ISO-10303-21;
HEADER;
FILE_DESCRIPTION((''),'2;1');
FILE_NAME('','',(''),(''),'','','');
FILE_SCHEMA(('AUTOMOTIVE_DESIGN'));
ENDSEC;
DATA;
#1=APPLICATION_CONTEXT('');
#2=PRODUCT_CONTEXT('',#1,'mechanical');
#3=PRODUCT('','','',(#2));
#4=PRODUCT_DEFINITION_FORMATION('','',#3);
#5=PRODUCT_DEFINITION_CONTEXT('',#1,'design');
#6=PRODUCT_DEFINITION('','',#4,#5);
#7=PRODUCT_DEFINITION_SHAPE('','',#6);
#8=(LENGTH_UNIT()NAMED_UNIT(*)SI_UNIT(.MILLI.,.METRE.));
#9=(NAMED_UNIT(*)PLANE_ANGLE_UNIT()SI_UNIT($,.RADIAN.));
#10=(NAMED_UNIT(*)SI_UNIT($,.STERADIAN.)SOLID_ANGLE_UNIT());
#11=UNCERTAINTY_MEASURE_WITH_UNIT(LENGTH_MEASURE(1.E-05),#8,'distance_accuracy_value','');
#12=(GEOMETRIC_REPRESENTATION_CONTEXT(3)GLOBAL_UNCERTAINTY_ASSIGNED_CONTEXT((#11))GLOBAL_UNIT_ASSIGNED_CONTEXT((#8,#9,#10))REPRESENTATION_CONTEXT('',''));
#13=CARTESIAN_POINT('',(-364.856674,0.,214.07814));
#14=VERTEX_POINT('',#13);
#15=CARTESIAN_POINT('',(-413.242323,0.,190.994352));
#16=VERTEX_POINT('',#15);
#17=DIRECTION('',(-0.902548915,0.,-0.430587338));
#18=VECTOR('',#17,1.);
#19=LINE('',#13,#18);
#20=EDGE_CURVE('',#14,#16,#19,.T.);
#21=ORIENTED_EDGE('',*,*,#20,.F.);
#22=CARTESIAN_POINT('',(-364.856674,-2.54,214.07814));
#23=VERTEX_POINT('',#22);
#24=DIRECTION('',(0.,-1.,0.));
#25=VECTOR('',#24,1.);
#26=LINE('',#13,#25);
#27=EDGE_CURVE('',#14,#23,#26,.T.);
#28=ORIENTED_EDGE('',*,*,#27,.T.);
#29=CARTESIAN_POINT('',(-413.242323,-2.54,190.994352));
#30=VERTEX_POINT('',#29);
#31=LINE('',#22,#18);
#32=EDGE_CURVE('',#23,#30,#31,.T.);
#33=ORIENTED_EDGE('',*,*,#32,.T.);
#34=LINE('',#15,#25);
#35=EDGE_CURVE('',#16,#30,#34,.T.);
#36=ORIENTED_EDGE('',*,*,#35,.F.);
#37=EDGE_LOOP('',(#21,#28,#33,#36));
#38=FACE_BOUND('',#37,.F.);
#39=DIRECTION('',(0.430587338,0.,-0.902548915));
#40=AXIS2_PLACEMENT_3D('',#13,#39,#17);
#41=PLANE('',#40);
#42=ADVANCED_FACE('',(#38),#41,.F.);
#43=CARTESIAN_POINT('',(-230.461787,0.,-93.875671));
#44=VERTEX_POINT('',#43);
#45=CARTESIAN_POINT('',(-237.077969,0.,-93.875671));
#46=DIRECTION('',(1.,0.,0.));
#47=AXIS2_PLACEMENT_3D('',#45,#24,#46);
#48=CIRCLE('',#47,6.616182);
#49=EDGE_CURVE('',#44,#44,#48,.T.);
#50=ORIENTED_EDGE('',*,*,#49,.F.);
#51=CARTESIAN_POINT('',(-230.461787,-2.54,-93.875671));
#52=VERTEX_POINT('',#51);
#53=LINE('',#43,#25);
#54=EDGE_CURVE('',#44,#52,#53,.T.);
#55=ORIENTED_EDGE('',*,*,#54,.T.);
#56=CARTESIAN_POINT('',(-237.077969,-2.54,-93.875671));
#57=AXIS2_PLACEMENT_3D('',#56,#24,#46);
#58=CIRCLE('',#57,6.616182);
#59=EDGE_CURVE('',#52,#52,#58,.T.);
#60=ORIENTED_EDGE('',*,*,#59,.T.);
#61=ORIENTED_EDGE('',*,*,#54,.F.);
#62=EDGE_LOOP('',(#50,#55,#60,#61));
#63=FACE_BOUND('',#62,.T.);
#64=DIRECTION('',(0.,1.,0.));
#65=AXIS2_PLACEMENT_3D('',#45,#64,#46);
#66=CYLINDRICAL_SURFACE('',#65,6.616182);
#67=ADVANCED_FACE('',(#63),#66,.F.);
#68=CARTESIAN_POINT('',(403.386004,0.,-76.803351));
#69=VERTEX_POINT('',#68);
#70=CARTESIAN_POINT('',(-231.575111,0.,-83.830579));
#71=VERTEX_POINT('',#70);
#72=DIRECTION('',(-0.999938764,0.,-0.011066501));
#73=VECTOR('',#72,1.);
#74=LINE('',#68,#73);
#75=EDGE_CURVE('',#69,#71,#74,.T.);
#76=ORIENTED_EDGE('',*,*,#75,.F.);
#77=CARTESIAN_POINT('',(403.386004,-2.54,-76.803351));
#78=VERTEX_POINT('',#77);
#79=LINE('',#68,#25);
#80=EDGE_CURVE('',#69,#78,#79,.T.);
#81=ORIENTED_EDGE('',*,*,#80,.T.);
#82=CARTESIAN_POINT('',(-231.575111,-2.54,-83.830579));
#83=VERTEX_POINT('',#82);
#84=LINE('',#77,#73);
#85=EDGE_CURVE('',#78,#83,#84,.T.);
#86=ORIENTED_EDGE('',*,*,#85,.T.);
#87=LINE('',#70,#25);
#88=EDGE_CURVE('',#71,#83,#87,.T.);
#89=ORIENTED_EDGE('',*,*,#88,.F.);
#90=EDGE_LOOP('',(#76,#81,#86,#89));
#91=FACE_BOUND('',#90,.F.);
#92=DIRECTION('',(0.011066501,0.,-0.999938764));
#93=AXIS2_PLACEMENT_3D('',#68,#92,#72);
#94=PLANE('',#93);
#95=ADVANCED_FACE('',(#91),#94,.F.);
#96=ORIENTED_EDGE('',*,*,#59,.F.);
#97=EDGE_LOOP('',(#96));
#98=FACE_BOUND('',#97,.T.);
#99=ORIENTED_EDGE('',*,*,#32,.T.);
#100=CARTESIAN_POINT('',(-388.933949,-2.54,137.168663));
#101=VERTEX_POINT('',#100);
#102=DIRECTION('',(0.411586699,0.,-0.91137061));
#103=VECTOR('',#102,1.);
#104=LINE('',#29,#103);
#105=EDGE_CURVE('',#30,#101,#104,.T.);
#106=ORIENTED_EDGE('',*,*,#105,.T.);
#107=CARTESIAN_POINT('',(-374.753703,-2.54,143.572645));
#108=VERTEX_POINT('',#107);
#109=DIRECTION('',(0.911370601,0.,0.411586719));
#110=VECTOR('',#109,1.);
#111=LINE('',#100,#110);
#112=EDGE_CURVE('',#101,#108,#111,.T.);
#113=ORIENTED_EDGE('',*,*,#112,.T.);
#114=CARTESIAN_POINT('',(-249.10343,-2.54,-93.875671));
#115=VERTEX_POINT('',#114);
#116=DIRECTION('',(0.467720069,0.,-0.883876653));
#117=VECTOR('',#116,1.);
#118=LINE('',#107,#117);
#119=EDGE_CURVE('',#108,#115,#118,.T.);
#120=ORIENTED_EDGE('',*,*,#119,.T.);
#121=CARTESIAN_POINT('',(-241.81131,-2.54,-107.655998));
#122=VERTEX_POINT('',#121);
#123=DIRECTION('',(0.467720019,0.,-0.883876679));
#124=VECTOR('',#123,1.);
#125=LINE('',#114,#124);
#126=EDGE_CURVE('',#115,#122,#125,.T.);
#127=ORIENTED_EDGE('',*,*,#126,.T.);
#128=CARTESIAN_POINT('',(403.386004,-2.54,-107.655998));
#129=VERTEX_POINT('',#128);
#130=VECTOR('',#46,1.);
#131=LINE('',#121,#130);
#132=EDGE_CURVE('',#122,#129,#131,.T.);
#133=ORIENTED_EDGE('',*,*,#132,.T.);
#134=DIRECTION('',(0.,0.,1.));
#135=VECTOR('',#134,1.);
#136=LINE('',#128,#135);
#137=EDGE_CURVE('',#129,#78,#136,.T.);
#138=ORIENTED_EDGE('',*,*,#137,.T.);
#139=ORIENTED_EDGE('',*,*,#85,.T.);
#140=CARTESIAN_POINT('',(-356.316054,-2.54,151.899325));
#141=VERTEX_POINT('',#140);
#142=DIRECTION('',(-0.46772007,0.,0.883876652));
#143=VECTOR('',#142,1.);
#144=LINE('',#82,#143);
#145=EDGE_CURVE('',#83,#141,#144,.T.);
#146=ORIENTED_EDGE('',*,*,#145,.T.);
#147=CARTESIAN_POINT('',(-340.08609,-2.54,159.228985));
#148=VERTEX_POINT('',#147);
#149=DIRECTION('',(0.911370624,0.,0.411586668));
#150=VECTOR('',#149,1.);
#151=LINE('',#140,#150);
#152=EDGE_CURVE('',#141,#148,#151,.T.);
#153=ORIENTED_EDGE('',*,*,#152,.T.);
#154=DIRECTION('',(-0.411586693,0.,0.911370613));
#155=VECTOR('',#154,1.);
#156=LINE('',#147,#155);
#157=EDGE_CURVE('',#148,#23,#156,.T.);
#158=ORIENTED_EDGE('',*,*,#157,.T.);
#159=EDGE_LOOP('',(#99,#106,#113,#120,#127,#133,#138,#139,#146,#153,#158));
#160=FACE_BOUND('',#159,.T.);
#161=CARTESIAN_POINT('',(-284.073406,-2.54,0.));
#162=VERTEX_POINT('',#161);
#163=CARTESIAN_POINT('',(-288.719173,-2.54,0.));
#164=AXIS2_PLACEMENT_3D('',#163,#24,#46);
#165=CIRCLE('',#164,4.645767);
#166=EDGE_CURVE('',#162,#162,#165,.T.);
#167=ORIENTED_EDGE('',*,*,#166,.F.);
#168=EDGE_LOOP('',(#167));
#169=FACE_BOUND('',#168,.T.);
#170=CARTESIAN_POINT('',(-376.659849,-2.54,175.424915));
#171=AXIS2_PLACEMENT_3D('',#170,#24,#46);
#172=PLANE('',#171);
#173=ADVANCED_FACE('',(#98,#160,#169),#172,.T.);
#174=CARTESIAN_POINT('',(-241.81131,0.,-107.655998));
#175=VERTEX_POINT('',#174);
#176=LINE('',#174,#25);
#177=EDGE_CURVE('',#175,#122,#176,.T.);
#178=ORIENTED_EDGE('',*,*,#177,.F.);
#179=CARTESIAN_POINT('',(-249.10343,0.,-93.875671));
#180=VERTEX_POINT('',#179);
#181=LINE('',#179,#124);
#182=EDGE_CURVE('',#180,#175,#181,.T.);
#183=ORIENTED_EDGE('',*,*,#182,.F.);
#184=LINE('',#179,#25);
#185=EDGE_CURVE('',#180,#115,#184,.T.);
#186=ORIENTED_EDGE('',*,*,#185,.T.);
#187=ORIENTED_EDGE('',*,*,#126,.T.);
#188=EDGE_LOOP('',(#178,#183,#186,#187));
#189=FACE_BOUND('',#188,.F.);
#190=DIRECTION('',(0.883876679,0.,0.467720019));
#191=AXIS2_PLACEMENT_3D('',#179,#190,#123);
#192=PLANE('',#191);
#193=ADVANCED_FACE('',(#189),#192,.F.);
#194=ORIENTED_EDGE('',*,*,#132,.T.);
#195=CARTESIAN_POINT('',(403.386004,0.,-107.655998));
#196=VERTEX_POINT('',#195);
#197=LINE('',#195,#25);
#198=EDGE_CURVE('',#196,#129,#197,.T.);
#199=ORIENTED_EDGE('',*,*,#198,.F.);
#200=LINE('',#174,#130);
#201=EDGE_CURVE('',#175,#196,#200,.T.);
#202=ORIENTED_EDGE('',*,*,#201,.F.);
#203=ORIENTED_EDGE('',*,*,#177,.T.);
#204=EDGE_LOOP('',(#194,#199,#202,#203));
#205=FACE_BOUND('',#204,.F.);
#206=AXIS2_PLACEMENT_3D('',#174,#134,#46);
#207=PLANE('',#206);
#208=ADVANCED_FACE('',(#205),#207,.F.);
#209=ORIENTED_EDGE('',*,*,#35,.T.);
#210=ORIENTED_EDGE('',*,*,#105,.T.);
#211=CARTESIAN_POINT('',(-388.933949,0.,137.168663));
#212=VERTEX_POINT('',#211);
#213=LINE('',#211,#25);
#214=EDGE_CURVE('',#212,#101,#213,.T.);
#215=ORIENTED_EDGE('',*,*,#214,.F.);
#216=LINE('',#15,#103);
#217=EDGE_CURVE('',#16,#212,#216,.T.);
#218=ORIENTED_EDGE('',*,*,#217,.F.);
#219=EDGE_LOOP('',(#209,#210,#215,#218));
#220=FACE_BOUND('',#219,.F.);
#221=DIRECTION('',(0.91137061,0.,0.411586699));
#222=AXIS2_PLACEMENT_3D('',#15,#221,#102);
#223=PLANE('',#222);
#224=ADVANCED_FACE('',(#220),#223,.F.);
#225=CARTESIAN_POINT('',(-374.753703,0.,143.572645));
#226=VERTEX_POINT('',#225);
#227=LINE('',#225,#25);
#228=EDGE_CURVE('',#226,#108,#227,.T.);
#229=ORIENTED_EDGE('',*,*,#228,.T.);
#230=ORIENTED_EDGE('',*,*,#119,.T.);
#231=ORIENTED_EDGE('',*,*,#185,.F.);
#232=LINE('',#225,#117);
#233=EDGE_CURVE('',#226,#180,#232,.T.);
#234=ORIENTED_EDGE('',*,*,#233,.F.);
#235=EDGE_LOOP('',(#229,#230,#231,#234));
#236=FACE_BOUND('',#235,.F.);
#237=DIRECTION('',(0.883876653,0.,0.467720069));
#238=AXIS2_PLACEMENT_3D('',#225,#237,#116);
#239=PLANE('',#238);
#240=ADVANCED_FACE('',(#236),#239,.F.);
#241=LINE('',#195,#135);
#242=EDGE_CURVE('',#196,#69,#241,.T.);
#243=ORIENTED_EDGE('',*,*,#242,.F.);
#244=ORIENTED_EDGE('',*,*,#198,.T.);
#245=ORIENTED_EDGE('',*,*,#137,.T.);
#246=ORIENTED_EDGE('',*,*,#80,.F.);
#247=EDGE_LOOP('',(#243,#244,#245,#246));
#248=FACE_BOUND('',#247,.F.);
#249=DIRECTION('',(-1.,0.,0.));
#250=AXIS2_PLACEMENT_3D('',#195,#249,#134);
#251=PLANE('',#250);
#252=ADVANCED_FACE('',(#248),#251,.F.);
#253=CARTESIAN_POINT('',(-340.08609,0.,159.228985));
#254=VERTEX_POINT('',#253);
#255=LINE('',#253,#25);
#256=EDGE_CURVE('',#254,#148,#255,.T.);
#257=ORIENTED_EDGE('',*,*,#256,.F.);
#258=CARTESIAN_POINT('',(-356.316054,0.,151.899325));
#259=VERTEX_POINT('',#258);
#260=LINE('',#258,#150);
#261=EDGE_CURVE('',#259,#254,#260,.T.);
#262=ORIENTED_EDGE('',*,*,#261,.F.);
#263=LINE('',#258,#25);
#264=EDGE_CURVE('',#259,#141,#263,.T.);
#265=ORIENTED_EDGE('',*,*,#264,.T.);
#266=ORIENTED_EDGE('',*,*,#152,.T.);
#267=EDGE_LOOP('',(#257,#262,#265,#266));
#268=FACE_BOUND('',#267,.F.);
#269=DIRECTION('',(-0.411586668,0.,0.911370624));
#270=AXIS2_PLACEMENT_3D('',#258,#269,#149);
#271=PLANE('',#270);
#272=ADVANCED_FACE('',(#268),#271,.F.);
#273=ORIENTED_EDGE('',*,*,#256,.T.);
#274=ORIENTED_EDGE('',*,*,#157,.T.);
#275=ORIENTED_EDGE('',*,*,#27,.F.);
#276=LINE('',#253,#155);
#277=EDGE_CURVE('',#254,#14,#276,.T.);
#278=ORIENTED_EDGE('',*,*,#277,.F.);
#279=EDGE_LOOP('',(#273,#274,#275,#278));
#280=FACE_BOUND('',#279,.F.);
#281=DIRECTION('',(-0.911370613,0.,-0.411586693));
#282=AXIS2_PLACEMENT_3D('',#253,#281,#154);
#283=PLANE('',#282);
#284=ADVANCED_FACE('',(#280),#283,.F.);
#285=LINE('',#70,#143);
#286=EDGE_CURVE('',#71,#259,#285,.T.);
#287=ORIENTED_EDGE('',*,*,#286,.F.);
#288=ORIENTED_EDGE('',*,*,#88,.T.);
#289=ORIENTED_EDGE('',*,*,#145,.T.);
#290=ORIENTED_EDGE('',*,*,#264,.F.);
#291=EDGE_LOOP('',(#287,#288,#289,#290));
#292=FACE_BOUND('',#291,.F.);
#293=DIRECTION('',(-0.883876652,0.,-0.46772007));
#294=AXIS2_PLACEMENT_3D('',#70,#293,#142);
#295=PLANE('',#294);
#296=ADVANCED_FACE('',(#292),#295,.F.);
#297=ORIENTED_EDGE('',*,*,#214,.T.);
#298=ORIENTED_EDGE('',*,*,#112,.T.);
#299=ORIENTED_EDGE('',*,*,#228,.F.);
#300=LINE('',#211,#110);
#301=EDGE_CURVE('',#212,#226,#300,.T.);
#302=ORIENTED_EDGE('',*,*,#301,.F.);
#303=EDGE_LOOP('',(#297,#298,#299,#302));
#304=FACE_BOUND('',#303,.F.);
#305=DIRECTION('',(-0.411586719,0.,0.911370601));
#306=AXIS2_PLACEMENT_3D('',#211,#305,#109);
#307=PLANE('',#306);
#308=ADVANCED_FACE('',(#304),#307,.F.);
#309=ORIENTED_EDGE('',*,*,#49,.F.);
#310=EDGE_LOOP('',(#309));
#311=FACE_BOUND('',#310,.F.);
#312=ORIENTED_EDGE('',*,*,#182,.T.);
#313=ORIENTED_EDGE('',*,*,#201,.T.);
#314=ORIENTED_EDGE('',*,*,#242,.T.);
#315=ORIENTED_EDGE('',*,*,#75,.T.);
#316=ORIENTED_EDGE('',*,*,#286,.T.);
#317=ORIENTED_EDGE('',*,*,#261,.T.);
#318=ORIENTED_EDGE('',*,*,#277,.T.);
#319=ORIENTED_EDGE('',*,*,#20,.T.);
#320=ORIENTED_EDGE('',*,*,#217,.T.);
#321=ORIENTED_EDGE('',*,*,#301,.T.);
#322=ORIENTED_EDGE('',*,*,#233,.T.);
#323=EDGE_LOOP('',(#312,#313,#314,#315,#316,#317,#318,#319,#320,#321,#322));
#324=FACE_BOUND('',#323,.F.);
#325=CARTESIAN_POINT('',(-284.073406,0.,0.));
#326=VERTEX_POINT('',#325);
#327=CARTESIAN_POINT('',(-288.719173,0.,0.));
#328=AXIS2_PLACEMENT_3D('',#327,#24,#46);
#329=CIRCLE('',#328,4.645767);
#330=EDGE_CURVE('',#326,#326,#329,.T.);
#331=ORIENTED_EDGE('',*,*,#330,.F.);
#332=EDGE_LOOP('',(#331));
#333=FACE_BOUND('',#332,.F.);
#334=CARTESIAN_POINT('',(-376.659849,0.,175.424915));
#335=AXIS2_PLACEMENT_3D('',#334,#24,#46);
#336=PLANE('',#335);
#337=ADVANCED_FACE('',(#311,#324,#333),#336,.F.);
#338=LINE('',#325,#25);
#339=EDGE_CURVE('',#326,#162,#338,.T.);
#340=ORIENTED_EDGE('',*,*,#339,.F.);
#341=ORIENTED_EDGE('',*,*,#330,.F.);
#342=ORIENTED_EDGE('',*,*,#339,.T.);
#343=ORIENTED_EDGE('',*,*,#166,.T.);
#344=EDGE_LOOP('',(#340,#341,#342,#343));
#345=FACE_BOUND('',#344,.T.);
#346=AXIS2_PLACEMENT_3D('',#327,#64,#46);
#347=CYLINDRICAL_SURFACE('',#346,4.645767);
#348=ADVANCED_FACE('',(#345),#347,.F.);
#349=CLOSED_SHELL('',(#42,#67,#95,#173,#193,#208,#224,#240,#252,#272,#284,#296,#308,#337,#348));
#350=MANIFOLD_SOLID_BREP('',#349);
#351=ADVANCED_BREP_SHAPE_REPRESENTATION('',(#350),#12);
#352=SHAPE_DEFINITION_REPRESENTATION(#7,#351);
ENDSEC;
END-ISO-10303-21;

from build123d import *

# Parameters (mm, degrees)
F0_R     = 6.616182
F0_R_2   = 4.645767
F1_DEPTH = 2.54


with BuildPart() as f1:
    # F0 (on Front) → F1 (new body)
    with BuildSketch(Plane.XZ):
        Polygon((-364.856674, 214.07814), (-413.242323, 190.994352), (-388.933949, 137.168663), (-374.753703, 143.572645), (-356.316054, 151.899325), (-340.08609, 159.228985), align=None)
        Polygon((-356.316054, 151.899325), (-374.753703, 143.572645), (-249.10343, -93.875671), (-241.81131, -107.655998), (403.386004, -107.655998), (403.386004, -76.803351), (-231.575111, -83.830579), align=None)
        with Locations((-237.077969, -93.875671)):
            Circle(F0_R, mode=Mode.SUBTRACT)
        with Locations((-288.719173, 0)):
            Circle(F0_R_2, mode=Mode.SUBTRACT)
    extrude(amount=F1_DEPTH)


solid = f1.part
